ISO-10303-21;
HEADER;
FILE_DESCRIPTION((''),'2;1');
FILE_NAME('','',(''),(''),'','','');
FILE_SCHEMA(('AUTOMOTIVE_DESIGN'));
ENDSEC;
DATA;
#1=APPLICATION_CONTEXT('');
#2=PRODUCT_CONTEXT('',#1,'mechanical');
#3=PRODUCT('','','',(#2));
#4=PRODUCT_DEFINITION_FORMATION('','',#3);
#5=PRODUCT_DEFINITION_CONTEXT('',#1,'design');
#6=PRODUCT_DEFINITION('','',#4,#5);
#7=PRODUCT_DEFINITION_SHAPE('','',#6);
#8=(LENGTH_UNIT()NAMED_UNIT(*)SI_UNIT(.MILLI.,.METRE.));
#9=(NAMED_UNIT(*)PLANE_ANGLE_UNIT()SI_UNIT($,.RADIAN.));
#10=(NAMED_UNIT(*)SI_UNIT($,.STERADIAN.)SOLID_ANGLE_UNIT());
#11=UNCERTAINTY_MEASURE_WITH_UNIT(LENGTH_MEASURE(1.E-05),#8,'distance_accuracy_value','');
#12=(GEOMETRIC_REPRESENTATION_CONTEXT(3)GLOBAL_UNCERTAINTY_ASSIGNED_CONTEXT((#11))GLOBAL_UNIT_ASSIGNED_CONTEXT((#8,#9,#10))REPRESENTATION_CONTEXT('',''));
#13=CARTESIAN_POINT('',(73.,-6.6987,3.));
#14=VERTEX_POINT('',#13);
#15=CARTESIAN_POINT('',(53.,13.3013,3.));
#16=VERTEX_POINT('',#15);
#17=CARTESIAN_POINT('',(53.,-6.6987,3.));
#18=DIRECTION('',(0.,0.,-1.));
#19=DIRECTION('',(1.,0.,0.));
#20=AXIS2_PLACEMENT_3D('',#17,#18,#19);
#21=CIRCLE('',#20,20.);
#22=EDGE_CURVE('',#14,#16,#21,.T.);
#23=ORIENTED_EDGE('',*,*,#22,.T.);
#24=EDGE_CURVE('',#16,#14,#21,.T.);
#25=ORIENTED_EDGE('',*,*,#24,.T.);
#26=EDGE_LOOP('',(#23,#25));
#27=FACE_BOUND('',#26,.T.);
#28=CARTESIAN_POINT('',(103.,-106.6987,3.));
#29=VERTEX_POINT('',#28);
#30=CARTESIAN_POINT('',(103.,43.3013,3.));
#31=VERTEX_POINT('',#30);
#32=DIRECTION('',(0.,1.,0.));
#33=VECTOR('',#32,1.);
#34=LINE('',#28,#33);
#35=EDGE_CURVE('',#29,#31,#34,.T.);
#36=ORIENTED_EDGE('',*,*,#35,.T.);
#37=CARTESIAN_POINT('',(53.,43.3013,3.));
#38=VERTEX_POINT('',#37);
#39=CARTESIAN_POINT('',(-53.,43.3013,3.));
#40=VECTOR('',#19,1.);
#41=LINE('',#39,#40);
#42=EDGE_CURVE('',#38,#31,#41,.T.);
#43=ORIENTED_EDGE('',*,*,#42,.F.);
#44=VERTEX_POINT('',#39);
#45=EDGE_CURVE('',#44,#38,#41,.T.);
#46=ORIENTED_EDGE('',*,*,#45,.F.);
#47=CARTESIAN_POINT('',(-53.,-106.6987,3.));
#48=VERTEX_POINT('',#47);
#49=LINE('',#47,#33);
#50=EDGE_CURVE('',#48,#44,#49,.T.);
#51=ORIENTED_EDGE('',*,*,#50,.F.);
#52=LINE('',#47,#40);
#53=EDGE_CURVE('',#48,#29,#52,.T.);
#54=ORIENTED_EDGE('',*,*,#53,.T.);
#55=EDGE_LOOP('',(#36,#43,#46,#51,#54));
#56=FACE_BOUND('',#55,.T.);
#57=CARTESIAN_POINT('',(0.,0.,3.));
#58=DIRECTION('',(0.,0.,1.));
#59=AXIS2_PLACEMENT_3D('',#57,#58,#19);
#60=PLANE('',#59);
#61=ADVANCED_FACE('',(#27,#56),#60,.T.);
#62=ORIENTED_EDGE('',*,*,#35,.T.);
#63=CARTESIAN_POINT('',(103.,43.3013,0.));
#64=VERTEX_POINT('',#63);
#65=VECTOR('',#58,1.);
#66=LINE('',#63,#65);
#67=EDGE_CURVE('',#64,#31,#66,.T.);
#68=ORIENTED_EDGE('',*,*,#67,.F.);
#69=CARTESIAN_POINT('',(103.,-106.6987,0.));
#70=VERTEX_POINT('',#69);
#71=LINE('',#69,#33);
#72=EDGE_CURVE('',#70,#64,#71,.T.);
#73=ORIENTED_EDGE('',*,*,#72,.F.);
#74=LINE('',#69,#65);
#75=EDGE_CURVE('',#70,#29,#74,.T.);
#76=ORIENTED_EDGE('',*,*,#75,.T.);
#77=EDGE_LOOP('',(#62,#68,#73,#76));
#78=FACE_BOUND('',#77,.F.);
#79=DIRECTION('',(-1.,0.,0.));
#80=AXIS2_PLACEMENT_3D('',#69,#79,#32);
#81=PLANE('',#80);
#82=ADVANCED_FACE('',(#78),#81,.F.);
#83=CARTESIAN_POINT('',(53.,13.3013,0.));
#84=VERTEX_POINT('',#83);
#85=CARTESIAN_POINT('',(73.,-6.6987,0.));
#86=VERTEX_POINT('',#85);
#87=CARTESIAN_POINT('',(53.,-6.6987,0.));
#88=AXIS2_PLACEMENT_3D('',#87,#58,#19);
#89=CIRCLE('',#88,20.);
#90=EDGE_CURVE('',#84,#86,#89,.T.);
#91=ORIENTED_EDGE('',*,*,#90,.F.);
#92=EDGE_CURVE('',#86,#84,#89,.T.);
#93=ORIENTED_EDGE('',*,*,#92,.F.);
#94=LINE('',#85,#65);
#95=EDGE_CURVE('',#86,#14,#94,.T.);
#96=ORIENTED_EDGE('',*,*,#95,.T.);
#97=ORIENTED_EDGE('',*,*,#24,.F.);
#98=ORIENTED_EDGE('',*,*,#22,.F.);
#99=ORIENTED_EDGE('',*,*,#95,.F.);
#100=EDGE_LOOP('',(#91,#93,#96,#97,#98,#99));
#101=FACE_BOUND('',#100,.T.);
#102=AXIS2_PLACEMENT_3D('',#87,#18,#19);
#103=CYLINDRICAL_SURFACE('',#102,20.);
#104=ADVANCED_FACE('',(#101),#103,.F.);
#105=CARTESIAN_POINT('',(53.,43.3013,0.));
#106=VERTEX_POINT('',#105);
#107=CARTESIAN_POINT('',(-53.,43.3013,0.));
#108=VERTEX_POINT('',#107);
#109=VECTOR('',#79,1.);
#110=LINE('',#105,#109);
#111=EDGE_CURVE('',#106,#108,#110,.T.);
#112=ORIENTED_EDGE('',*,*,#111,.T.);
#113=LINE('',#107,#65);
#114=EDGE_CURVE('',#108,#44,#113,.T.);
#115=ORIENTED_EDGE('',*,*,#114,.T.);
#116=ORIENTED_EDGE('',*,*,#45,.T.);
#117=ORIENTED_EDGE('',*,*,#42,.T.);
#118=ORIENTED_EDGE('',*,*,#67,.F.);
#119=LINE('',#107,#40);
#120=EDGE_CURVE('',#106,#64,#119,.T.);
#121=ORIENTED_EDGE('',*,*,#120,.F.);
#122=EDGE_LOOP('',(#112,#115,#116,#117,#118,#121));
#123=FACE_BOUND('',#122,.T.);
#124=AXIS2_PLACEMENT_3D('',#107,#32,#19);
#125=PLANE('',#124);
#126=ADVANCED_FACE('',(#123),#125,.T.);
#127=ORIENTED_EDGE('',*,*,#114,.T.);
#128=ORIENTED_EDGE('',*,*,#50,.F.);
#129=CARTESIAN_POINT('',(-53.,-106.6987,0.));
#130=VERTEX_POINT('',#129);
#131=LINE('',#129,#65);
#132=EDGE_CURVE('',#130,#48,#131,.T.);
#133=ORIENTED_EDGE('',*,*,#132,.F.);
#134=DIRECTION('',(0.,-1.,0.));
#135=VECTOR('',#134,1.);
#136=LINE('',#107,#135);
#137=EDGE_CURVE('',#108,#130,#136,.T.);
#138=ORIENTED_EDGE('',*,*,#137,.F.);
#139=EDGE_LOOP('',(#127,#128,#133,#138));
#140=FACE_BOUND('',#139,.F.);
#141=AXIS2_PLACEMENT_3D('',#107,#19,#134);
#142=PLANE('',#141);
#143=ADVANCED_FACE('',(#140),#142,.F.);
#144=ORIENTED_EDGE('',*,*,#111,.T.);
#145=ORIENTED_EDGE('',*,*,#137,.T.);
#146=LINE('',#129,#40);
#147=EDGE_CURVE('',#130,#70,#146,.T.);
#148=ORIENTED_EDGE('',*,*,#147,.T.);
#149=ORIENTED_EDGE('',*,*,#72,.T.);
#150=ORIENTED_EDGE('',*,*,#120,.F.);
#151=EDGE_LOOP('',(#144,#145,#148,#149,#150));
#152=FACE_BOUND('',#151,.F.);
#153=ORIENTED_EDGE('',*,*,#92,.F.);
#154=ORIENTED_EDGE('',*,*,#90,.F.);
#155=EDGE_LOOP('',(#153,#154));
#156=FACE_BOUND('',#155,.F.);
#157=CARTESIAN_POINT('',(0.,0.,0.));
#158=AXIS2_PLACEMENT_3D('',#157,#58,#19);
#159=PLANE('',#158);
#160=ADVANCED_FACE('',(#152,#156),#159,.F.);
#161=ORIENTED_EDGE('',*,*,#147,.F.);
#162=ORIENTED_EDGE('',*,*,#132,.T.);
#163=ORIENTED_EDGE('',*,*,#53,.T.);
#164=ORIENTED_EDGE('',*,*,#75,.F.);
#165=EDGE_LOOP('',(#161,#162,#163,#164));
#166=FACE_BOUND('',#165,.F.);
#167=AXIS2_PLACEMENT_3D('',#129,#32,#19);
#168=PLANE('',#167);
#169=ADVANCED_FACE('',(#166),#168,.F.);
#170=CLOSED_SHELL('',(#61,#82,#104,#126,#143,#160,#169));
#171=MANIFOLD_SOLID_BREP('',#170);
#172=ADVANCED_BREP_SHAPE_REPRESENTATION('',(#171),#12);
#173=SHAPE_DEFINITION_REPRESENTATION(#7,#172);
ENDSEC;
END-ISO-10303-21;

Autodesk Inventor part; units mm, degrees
ref_plane "YZ Plane" through (0, 0, 0) normal (1, 0, 0) x (0, 1, 0)
ref_plane "XZ Plane" through (0, 0, 0) normal (0, 1, 0) x (-1, 0, 0)
ref_plane "XY Plane" through (0, 0, 0) normal (0, 0, 1) x (1, 0, 0)
sketch "Sketch1" plane through (0, 0, 0) normal (0, 0, 1) x (1, 0, 0)
  line L0 (-53, 43.3013) -> (103, 43.3013)
  line L1 (-53, 43.3013) -> (-53, -106.6987)
  line L2 (-53, -106.6987) -> (103, -106.6987)
  line L3 (103, -106.6987) -> (103, 43.3013)
  line L4 (0, 0) -> (-53, 0)
  line L5 (0, 0) -> (25, 43.3013)
  line L6 (103, 43.3013) -> (53, 43.3013)
  line L7 (53, 43.3013) -> (53, -6.6987)
  circle A0 centre (53, -6.6987) radius 20
  dimension "d0" = 156
  dimension "d1" = 150
  dimension "d2" = 53
  dimension "d12" = 50
  dimension "d13" = 50
  dimension "d14" = 50
  dimension "d15" = 40
sketch "Sketch2" plane through (0, 0, 0) normal (0, 0, 1) x (1, 0, 0)
  point P0 (0, 0)
extrude "Extrusion1" add sketch "Sketch1" along normal blind 3 contours L0 L5 L4 L1 | A0 | L0 L3 L2 L1 L4 L5
sketch "Sketch3" plane through (103, -106.6987, 0) normal (1, 0, 0) x (0, 0, -1)
  point P0 (0, 106.6987)
sketch "Sketch4" plane through (0, 0, 0) normal (0, 0, 1) x (1, 0, 0)
  point P0 (0, 0)
extrude "Extrusion2" cut sketch "Sketch1" along normal through all contours A0
properties part number "box top"
